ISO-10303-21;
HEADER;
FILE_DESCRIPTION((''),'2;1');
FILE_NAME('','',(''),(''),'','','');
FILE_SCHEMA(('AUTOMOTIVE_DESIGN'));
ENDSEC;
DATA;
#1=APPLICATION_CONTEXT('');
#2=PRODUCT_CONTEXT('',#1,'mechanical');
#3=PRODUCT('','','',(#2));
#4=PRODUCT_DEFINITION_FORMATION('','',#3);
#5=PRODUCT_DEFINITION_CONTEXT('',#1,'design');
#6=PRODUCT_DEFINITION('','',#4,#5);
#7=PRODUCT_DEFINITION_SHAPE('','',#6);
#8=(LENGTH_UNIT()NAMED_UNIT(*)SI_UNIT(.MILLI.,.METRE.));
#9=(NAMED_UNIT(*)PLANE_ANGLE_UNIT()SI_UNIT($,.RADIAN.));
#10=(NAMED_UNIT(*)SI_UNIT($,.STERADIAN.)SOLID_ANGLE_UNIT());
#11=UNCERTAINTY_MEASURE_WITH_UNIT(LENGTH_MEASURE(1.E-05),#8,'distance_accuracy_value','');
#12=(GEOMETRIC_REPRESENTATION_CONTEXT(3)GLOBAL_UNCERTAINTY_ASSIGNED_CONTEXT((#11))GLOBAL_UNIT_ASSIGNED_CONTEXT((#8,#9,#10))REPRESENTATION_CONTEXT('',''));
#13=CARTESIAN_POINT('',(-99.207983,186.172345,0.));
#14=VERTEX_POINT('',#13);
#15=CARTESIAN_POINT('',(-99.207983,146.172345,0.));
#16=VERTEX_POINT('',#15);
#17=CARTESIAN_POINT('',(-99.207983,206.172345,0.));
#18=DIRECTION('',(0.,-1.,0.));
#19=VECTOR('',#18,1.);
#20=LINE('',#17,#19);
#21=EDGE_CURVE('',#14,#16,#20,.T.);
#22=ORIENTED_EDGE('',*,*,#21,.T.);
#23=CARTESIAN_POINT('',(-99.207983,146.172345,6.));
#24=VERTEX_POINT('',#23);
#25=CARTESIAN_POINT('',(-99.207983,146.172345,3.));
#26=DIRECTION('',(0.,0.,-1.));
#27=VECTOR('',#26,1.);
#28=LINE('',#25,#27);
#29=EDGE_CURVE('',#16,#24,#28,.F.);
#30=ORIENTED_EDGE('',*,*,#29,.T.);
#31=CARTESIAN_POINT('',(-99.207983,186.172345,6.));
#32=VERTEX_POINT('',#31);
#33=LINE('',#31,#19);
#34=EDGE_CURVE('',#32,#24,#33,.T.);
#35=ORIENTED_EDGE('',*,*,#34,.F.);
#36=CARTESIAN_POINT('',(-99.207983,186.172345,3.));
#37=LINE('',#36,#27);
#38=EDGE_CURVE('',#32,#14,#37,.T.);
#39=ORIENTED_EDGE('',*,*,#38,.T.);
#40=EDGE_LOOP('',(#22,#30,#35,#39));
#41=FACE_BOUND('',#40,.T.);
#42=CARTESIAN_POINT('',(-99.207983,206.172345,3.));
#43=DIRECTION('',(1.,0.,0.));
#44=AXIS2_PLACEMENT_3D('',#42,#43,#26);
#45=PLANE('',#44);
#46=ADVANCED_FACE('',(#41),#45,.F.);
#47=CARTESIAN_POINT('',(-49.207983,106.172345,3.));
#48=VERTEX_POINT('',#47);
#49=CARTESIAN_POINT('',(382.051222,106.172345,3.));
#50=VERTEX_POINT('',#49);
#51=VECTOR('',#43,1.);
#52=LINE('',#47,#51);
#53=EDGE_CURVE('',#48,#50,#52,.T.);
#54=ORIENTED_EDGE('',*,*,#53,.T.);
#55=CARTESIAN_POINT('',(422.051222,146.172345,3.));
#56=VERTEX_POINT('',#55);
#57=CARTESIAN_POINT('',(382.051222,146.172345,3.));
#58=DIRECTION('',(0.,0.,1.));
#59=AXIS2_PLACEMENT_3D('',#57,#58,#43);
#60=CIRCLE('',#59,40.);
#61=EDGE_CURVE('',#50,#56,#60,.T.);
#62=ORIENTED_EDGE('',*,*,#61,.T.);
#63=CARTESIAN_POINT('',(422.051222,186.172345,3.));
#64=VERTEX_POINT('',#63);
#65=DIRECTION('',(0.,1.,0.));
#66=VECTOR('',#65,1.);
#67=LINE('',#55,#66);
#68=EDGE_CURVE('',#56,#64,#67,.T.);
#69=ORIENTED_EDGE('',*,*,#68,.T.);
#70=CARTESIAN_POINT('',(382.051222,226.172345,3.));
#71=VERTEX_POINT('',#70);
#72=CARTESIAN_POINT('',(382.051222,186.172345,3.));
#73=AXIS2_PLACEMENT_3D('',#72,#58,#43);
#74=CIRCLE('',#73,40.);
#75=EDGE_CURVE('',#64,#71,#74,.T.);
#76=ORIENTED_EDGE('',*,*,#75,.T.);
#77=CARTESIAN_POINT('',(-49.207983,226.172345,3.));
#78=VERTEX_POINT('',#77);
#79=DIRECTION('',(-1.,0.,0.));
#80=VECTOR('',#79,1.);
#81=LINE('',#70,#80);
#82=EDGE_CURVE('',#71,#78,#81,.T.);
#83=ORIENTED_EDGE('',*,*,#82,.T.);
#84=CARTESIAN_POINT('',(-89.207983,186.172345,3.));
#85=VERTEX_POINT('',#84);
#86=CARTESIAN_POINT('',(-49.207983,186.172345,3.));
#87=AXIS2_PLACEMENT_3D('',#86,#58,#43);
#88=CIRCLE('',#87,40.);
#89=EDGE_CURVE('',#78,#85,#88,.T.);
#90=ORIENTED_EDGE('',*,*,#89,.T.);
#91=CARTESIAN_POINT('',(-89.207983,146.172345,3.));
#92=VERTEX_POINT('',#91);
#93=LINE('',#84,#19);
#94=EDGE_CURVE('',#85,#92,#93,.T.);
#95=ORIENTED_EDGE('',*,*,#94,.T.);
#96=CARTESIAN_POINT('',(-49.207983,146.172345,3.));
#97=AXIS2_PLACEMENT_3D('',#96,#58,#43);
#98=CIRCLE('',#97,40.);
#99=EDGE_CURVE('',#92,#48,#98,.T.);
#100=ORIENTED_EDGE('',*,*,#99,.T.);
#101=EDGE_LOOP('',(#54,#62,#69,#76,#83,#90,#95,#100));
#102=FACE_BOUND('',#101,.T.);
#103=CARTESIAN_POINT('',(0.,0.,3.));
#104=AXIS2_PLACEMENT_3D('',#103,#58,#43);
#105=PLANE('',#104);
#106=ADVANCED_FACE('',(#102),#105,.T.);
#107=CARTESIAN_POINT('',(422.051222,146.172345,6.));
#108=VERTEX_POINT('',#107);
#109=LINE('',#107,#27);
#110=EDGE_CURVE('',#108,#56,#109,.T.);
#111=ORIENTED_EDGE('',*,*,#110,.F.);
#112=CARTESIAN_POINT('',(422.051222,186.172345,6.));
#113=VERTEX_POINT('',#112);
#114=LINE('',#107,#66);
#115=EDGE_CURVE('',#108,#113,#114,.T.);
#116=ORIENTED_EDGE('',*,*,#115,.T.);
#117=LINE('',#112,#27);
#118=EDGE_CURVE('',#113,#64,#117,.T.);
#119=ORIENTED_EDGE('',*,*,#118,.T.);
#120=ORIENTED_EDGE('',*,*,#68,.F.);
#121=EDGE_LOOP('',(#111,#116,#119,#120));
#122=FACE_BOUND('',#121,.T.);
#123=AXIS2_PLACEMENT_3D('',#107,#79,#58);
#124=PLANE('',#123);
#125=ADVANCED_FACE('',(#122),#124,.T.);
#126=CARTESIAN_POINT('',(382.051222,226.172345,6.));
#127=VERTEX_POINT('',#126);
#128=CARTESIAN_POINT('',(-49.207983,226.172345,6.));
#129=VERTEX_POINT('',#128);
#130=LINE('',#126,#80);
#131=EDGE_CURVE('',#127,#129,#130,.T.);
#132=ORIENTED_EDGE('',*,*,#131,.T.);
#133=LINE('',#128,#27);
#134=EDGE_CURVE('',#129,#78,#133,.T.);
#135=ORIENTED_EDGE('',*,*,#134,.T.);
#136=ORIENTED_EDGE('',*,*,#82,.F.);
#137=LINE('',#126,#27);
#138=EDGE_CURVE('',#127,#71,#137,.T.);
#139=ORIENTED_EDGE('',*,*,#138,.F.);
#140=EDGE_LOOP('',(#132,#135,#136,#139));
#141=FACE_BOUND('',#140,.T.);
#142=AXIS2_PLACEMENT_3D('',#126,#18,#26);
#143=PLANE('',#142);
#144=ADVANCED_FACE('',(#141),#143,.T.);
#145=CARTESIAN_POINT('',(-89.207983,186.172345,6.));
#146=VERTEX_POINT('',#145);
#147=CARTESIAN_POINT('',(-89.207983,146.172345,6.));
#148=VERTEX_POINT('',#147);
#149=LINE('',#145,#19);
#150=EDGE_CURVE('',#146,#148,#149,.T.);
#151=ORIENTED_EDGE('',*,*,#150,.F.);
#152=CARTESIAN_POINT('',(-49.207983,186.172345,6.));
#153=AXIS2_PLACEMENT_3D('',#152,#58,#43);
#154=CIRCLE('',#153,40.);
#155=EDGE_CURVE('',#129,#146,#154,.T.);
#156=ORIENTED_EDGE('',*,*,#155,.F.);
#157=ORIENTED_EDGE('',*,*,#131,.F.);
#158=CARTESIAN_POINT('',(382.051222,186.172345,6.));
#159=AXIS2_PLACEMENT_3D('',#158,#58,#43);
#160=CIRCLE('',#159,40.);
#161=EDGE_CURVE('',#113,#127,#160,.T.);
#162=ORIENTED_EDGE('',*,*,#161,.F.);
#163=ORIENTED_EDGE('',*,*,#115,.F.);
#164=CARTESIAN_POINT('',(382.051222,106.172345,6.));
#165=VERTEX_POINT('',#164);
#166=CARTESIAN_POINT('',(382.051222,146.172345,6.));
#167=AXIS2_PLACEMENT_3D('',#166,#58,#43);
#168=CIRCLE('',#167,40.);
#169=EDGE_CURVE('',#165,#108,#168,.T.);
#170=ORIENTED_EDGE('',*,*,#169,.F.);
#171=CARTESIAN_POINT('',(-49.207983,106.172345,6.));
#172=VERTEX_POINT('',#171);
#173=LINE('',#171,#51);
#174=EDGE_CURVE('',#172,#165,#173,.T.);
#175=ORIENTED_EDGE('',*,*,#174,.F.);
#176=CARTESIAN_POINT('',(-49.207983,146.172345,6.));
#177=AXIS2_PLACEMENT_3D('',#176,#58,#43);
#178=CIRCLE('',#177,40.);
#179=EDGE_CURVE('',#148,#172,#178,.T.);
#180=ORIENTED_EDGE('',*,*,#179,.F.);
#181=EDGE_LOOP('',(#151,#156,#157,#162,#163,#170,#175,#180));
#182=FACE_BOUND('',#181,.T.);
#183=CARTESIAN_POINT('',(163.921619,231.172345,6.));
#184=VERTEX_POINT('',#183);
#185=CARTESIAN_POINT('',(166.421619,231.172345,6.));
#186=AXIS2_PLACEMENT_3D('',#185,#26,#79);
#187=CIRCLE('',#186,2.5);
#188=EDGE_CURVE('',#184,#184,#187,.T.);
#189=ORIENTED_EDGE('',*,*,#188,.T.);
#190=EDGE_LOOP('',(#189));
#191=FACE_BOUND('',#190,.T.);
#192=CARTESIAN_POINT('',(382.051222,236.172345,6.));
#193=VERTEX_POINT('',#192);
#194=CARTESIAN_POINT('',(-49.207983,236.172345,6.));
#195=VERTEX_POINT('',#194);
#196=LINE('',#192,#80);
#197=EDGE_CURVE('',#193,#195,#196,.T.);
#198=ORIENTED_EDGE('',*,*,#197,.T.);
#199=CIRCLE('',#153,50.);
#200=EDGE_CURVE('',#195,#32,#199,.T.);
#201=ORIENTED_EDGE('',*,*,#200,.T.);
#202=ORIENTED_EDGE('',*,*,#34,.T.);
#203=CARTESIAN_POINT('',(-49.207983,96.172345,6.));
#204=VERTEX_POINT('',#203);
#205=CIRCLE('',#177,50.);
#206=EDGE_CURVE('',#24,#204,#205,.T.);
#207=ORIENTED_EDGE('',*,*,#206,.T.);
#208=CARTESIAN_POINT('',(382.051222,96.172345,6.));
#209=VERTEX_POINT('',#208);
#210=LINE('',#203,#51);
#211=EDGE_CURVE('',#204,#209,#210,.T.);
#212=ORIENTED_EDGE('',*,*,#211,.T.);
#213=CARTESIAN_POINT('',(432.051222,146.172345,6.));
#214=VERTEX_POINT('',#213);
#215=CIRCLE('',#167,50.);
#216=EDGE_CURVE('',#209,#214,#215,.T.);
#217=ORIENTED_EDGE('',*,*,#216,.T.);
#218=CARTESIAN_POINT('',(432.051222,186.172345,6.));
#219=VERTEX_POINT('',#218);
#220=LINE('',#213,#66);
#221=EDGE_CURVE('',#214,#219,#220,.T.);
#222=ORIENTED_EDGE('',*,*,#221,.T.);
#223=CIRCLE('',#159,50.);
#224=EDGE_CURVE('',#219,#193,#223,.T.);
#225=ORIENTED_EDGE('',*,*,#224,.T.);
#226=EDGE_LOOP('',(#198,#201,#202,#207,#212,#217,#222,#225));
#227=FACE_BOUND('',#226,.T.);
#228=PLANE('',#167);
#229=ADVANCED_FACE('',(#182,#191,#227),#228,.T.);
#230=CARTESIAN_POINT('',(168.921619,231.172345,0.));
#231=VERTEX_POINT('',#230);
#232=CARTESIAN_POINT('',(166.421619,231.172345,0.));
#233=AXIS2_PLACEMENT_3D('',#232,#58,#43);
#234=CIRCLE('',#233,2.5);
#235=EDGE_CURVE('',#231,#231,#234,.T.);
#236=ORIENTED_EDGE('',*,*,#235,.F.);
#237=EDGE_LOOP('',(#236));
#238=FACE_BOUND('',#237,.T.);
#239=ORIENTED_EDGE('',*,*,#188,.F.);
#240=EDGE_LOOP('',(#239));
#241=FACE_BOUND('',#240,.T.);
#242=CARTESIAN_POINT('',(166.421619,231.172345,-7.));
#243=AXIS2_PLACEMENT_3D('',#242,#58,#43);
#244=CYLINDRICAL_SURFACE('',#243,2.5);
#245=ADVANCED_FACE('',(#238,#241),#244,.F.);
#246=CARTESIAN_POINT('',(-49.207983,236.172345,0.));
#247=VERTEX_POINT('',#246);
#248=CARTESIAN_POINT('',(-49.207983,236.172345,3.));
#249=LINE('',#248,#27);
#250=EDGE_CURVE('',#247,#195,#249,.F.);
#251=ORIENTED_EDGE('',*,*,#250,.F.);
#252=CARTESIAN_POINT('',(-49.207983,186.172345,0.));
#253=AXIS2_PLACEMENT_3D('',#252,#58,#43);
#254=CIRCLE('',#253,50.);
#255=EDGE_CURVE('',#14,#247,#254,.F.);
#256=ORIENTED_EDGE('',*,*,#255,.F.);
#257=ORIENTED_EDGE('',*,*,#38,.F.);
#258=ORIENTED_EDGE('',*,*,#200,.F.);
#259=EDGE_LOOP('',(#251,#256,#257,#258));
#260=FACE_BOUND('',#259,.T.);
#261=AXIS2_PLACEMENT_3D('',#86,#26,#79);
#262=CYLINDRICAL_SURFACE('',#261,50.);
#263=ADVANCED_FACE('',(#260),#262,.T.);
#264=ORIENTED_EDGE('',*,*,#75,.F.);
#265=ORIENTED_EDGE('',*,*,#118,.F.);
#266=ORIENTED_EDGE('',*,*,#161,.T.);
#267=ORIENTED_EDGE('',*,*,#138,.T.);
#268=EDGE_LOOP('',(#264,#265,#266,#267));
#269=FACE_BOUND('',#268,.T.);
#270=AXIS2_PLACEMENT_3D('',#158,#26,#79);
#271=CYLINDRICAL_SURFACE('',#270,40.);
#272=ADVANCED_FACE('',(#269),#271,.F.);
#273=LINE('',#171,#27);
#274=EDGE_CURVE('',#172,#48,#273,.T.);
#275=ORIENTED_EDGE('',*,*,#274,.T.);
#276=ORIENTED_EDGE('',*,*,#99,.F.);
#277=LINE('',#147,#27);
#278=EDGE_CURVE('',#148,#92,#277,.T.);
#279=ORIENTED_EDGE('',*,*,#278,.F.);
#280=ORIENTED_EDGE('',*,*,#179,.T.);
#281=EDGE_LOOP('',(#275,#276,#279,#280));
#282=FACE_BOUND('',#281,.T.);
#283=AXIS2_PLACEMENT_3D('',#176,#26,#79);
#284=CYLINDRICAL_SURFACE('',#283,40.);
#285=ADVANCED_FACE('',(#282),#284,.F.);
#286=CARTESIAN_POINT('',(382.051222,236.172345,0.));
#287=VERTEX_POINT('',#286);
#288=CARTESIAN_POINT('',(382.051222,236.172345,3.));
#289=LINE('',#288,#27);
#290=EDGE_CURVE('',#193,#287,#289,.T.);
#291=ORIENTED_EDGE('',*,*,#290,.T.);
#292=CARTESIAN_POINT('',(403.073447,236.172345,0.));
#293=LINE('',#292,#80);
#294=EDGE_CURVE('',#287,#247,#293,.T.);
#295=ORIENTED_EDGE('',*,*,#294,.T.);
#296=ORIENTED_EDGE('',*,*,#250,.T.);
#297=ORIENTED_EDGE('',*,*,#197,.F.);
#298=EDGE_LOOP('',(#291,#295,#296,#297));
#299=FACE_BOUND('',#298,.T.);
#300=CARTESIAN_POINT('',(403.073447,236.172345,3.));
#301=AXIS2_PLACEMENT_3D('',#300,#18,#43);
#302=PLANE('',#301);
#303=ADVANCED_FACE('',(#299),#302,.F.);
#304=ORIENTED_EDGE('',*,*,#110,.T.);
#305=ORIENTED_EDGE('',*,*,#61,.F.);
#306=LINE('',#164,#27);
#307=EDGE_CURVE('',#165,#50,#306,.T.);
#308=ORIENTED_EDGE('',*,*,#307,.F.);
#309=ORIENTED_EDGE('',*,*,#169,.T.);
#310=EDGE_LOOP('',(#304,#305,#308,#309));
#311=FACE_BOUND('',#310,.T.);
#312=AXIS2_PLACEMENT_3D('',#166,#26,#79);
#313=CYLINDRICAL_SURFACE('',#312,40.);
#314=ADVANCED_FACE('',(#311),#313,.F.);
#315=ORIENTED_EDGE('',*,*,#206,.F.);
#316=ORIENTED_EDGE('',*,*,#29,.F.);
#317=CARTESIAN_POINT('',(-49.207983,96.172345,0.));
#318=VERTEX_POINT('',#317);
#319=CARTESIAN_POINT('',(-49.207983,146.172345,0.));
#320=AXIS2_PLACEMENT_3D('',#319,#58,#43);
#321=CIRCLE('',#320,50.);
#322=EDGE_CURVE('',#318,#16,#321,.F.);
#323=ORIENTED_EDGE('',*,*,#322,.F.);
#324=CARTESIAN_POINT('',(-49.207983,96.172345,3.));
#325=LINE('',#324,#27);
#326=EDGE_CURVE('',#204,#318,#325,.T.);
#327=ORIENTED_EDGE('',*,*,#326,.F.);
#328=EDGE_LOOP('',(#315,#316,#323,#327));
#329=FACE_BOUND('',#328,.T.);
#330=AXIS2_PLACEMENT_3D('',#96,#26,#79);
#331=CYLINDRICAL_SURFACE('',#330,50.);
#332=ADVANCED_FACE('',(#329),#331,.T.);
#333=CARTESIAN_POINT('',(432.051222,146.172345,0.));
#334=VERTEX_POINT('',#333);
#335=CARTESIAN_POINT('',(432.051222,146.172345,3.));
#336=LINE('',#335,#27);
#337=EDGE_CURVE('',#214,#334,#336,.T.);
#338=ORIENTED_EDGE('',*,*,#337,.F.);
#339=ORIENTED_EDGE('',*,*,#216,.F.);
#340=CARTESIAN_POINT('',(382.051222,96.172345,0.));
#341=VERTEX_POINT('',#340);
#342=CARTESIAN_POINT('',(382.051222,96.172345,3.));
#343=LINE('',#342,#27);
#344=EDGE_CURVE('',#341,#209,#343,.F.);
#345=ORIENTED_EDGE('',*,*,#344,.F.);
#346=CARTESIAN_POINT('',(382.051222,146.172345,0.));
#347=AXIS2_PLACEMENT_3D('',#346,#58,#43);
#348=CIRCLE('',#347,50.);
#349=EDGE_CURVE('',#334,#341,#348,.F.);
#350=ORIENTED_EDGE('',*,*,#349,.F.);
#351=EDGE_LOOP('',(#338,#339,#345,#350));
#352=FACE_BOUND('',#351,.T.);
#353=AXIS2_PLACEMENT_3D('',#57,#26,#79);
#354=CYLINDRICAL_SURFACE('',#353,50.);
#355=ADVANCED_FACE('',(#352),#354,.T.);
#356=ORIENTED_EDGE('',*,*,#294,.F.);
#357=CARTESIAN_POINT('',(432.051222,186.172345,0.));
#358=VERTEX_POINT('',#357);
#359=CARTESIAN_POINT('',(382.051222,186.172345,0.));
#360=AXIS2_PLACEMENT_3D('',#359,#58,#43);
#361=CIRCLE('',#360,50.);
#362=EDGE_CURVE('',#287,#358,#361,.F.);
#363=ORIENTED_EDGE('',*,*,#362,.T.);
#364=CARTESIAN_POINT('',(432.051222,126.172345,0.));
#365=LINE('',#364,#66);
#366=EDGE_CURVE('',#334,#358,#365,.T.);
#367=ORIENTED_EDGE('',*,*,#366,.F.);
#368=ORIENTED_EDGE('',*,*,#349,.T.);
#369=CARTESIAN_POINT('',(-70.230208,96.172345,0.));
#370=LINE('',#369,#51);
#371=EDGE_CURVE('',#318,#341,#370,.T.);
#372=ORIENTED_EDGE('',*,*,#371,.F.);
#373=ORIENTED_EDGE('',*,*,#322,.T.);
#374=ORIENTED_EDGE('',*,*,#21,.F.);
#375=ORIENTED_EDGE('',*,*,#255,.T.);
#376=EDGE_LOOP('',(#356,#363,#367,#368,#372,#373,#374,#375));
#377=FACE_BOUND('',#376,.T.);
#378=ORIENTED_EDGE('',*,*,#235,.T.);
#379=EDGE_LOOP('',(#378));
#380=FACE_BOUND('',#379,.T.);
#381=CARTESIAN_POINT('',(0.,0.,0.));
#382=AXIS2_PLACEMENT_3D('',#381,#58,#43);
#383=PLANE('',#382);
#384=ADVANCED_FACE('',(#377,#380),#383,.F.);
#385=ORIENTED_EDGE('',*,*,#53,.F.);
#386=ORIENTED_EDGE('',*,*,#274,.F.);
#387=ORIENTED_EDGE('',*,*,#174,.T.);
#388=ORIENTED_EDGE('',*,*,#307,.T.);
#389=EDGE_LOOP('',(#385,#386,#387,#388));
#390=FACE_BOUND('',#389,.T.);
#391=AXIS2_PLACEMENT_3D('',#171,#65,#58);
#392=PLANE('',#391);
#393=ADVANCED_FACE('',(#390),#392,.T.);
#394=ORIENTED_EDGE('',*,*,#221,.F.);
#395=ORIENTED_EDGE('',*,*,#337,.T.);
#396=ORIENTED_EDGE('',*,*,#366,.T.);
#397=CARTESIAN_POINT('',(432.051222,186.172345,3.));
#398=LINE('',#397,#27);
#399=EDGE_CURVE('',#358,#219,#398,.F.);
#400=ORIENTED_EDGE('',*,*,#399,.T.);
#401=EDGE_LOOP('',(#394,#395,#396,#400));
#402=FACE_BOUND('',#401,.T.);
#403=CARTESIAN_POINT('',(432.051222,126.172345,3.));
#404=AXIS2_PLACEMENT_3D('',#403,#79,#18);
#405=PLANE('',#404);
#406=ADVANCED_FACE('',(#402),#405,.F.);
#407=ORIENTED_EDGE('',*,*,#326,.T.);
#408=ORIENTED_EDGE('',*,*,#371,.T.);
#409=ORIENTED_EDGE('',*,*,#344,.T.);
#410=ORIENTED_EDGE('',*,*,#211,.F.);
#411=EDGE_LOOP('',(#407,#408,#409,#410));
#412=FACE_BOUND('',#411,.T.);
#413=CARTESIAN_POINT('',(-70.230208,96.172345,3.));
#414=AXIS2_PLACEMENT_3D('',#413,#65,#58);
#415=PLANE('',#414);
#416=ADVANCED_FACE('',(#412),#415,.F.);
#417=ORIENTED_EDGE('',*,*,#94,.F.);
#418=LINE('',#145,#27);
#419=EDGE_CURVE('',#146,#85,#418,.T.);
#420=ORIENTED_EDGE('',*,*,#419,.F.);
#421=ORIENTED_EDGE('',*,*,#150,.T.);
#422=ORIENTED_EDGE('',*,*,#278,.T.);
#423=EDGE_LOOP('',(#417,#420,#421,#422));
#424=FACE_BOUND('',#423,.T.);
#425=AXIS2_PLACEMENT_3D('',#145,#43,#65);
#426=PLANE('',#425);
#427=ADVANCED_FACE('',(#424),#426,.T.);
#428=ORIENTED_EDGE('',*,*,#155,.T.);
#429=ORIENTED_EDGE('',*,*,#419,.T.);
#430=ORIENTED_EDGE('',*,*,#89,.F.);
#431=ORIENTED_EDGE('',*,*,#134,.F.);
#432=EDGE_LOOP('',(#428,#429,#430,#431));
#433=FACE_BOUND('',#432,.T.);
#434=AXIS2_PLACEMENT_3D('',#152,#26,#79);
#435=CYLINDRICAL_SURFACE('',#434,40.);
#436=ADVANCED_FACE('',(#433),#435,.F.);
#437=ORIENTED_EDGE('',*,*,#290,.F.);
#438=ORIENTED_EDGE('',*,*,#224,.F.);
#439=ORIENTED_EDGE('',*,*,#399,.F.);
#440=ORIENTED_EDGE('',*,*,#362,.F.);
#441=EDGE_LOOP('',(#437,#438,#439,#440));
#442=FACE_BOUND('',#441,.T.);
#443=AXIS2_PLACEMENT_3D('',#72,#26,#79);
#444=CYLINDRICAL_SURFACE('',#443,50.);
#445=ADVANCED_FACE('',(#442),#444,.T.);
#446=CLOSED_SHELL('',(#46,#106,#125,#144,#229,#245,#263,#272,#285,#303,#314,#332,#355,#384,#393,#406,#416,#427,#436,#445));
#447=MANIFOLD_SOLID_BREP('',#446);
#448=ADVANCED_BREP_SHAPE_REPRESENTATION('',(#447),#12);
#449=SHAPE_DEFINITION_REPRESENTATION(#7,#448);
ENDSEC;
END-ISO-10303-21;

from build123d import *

# Parameters (mm, degrees)
AUFSATZ_LINEAR_AUSTRAGEN1_DEPTH = 3
SKIZZE2_W                       = 52.543234094
SKIZZE2_H                       = 140
SKIZZE2_W_2                     = 111.276179835
AUFSATZ_LINEAR_AUSTRAGEN2_DEPTH = 3
VERRUNDUNG1_R                   = 50
VERRUNDUNG2_R                   = 50
SKIZZE3_R                       = 2.5
SCHNITT_LINEAR_AUSTRAGEN1_DEPTH = 10
AUFSATZ_LINEAR_AUSTRAGEN3_DEPTH = 3
SKIZZE6_R                       = 2.5
SCHNITT_LINEAR_AUSTRAGEN2_DEPTH = 7


with BuildPart() as part:
    # Skizze1 → Aufsatz-Linear austragen1 (new body)
    with BuildSketch(Plane.XY):
        Polygon((432.051221513, 126.172344807), (432.051221513, 206.172344807), (431.494421695, 212.025054468), (429.845419749, 217.652847778), (427.167585893, 222.839451798), (423.563827781, 227.385548243), (419.172635816, 231.116433176), (414.162761042, 233.888730783), (408.726730139, 235.595903219), (403.073446724, 236.172344807), (-70.230208158, 236.172344807), (-75.883491573, 235.595903219), (-81.319522476, 233.888730783), (-86.32939725, 231.116433176), (-90.720589215, 227.385548243), (-94.324347327, 222.839451798), (-97.002181183, 217.652847778), (-98.651183129, 212.025054468), (-99.207982946, 206.172344807), (-99.207982946, 126.172344807), (-98.651183129, 120.319635147), (-97.002181183, 114.691841836), (-94.324347327, 109.505237817), (-90.720589215, 104.959141372), (-86.32939725, 101.228256438), (-81.319522476, 98.455958832), (-75.883491573, 96.748786395), (-70.230208158, 96.172344807), (403.073446724, 96.172344807), (408.726730139, 96.748786395), (414.162761042, 98.455958832), (419.172635816, 101.228256438), (423.563827781, 104.959141372), (427.167585893, 109.505237817), (429.845419749, 114.691841836), (431.494421695, 120.319635147), align=None)
    extrude(amount=AUFSATZ_LINEAR_AUSTRAGEN1_DEPTH)

    # Skizze2 → Aufsatz-Linear austragen2 (add)
    with BuildSketch(Plane(origin=(0, 0, 0), x_dir=(-1, 0, 0), z_dir=(0, 0, -1))):
        with Locations((-405.779604466, 166.172344807)):
            Rectangle(SKIZZE2_W, SKIZZE2_H)
        with Locations((43.569893028, 166.172344807)):
            Rectangle(SKIZZE2_W_2, SKIZZE2_H)
    extrude(amount=-AUFSATZ_LINEAR_AUSTRAGEN2_DEPTH)

    # Verrundung1
    verrundung1_edges = [part.edges().sort_by_distance(p)[0] for p in [
        (432.051221513, 96.172344807, 1.5),
        (-99.207982946, 236.172344807, 1.5),
        (-99.207982946, 96.172344807, 1.5),
    ]]
    fillet(verrundung1_edges, radius=VERRUNDUNG1_R)

    # Verrundung2
    verrundung2_edges = [part.edges().sort_by_distance(p)[0] for p in [
        (432.051221513, 236.172344807, 1.5),
    ]]
    fillet(verrundung2_edges, radius=VERRUNDUNG2_R)

    # Skizze3 → Schnitt-Linear austragen1 (cut)
    with BuildSketch(Plane.XY.offset(3)):
        with Locations((166.421619283, 231.172344807)):
            Circle(SKIZZE3_R)
    extrude(amount=-SCHNITT_LINEAR_AUSTRAGEN1_DEPTH, mode=Mode.SUBTRACT)

    # Skizze5 → Aufsatz-Linear austragen3 (add)
    with BuildSketch(Plane.XY.offset(3)):
        with BuildLine():
            Line((432.051221513, 146.172344807), (432.051221513, 186.172344807))
            ThreePointArc((432.051221513, 186.172344807), (417.406560572, 221.527683867), (382.051221513, 236.172344807))
            Line((382.051221513, 236.172344807), (-49.207982946, 236.172344807))
            ThreePointArc((-49.207982946, 236.172344807), (-84.563322006, 221.527683867), (-99.207982946, 186.172344807))
            Line((-99.207982946, 186.172344807), (-99.207982946, 146.172344807))
            ThreePointArc((-99.207982946, 146.172344807), (-84.563322006, 110.817005748), (-49.207982946, 96.172344807))
            Line((-49.207982946, 96.172344807), (382.051221513, 96.172344807))
            ThreePointArc((382.051221513, 96.172344807), (417.406560572, 110.817005748), (432.051221513, 146.172344807))
        make_face()
        with BuildLine():
            Line((-89.207982946, 186.172344807), (-89.207982946, 146.172344807))
            ThreePointArc((-89.207982946, 146.172344807), (-77.492254194, 117.88807356), (-49.207982946, 106.172344807))
            Line((-49.207982946, 106.172344807), (382.051221513, 106.172344807))
            ThreePointArc((382.051221513, 106.172344807), (410.33549276, 117.88807356), (422.051221513, 146.172344807))
            Line((422.051221513, 146.172344807), (422.051221513, 186.172344807))
            ThreePointArc((422.051221513, 186.172344807), (410.33549276, 214.456616055), (382.051221513, 226.172344807))
            Line((382.051221513, 226.172344807), (-49.207982946, 226.172344807))
            ThreePointArc((-49.207982946, 226.172344807), (-77.492254194, 214.456616055), (-89.207982946, 186.172344807))
        make_face(mode=Mode.SUBTRACT)
    extrude(amount=AUFSATZ_LINEAR_AUSTRAGEN3_DEPTH)

    # Skizze6 → Schnitt-Linear austragen2 (cut, through all)
    with BuildSketch(Plane(origin=(0, 0, 0), x_dir=(-1, 0, 0), z_dir=(0, 0, -1))):
        with Locations(Location((-166.421619283, 231.172344807, 0), (0, 0, 180))):  # turned: the seam where the file's is
            Circle(SKIZZE6_R)
    extrude(amount=-SCHNITT_LINEAR_AUSTRAGEN2_DEPTH, mode=Mode.SUBTRACT)


solid = part.part
